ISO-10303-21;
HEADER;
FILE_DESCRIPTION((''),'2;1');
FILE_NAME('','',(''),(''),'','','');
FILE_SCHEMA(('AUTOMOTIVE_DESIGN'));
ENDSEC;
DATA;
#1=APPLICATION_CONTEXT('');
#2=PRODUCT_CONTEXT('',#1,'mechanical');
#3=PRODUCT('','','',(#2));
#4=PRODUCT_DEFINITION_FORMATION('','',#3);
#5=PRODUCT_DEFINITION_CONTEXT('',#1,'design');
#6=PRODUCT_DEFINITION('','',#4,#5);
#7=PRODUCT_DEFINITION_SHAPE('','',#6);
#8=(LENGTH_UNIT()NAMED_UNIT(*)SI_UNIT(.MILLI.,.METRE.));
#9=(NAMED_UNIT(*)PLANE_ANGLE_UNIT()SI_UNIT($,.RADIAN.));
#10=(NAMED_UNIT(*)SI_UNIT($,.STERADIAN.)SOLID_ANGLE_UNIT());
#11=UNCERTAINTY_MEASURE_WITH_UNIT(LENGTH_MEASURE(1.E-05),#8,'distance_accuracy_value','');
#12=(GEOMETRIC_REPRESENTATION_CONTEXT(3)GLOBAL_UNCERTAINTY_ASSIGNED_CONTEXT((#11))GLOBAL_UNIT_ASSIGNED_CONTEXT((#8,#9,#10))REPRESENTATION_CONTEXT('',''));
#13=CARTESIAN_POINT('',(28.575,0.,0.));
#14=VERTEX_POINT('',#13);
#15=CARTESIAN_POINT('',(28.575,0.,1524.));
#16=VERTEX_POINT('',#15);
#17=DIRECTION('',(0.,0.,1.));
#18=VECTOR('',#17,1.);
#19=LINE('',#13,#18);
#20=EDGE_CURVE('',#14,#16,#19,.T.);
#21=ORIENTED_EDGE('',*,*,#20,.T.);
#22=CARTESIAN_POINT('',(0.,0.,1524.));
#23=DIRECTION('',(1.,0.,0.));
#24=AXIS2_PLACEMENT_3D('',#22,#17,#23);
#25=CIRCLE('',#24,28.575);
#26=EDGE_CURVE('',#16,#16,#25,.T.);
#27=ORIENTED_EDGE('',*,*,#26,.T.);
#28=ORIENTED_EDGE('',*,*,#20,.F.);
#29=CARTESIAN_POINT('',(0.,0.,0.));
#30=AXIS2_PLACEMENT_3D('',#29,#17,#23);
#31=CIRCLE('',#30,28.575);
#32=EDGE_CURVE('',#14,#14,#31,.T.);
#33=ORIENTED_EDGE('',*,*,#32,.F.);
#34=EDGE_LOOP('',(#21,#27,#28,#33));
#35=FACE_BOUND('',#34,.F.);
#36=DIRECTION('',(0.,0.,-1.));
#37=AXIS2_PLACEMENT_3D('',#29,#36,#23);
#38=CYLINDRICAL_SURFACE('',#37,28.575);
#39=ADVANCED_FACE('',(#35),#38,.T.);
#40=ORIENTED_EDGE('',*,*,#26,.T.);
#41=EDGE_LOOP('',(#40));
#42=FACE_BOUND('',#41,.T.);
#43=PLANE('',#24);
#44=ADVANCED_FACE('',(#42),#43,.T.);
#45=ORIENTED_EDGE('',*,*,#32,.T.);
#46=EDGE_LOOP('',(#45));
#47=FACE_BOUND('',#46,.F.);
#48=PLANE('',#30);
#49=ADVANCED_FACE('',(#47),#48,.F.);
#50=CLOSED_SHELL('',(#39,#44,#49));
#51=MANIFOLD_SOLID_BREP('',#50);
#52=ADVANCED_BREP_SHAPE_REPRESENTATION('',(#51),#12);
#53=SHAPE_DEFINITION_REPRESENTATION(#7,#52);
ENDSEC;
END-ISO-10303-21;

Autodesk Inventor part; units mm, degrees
ref_plane "YZ Plane" through (0, 0, 0) normal (1, 0, 0) x (0, 1, 0)
ref_plane "XZ Plane" through (0, 0, 0) normal (0, 1, 0) x (-1, 0, 0)
ref_plane "XY Plane" through (0, 0, 0) normal (0, 0, 1) x (1, 0, 0)
sketch "Sketch1" plane through (0, 0, 0) normal (0, 0, 1) x (1, 0, 0)
  circle A0 centre (0, 0) radius 28.575
  dimension "d0" = 57.15
extrude "Extrusion1" add sketch "Sketch1" along normal blind 1524
properties part number "2.25 bar x 5ft" material "Steel, Alloy"
